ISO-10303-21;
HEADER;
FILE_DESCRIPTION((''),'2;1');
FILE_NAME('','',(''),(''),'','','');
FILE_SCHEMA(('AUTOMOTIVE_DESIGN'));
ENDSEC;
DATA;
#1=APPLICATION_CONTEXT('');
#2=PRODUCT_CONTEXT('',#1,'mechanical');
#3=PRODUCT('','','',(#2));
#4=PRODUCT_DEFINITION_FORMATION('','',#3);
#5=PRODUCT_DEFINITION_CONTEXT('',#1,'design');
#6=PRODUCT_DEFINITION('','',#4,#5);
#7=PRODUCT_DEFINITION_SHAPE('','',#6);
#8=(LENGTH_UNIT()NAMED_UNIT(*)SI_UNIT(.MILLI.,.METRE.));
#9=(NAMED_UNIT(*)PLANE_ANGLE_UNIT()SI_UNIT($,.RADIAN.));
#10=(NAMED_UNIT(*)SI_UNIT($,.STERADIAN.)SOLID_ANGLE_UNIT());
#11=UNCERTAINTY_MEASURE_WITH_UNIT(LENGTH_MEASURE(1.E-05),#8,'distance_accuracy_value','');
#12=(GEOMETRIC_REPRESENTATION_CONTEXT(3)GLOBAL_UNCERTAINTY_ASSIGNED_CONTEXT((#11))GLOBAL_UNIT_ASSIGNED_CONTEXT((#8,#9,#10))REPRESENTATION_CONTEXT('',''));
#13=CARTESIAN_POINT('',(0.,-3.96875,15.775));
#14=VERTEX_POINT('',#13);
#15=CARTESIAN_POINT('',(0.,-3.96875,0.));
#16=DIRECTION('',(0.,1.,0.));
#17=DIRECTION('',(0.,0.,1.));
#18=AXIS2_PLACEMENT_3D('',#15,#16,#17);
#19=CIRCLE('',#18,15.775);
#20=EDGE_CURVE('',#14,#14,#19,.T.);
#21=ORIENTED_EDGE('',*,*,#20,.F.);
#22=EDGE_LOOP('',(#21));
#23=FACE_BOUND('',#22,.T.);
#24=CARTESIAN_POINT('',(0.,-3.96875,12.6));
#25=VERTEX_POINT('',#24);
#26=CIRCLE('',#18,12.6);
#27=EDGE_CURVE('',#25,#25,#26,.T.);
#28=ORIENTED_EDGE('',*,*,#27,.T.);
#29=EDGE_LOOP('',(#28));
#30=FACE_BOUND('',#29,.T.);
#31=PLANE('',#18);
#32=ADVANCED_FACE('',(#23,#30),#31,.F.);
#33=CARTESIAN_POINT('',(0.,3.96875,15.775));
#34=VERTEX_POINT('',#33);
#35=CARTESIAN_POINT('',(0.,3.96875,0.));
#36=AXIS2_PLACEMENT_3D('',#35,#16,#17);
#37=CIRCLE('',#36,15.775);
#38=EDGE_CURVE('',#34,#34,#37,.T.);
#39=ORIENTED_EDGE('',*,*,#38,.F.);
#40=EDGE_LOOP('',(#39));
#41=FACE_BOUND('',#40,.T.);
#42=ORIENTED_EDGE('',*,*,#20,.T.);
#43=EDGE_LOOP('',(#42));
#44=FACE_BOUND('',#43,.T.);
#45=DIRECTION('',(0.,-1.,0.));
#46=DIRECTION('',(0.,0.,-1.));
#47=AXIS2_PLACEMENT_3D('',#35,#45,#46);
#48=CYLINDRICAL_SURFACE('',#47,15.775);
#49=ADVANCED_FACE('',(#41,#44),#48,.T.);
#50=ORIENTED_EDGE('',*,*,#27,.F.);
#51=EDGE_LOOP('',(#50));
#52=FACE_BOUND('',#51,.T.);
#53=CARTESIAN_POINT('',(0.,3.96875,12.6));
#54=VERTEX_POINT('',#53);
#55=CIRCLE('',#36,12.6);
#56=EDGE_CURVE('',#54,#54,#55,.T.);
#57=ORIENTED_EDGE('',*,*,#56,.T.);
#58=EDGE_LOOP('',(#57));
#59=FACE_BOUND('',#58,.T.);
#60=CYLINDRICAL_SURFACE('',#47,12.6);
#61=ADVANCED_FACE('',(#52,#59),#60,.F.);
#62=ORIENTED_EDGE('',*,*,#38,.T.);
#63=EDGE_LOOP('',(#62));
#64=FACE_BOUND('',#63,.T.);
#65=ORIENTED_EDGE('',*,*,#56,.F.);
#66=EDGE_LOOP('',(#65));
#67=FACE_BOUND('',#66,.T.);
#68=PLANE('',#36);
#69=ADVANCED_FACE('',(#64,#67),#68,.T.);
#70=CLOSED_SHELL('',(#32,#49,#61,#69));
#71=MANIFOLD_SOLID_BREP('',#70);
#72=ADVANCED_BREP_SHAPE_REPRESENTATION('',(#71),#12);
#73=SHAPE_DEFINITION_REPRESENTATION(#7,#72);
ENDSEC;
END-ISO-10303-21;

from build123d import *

# Parameters (mm, degrees)
SKETCH1_R           = 15.775
SKETCH1_R_2         = 12.6
BOSS_EXTRUDE1_DEPTH = 3.96875


with BuildPart() as part:
    # Sketch1 → Boss-Extrude1 (new body, symmetric)
    with BuildSketch(Plane(origin=(0, 0, 0), x_dir=(1, 0, 0), z_dir=(0, 1, 0))):
        Circle(SKETCH1_R)
        Circle(SKETCH1_R_2, mode=Mode.SUBTRACT)
    extrude(amount=BOSS_EXTRUDE1_DEPTH, both=True)


solid = part.part
